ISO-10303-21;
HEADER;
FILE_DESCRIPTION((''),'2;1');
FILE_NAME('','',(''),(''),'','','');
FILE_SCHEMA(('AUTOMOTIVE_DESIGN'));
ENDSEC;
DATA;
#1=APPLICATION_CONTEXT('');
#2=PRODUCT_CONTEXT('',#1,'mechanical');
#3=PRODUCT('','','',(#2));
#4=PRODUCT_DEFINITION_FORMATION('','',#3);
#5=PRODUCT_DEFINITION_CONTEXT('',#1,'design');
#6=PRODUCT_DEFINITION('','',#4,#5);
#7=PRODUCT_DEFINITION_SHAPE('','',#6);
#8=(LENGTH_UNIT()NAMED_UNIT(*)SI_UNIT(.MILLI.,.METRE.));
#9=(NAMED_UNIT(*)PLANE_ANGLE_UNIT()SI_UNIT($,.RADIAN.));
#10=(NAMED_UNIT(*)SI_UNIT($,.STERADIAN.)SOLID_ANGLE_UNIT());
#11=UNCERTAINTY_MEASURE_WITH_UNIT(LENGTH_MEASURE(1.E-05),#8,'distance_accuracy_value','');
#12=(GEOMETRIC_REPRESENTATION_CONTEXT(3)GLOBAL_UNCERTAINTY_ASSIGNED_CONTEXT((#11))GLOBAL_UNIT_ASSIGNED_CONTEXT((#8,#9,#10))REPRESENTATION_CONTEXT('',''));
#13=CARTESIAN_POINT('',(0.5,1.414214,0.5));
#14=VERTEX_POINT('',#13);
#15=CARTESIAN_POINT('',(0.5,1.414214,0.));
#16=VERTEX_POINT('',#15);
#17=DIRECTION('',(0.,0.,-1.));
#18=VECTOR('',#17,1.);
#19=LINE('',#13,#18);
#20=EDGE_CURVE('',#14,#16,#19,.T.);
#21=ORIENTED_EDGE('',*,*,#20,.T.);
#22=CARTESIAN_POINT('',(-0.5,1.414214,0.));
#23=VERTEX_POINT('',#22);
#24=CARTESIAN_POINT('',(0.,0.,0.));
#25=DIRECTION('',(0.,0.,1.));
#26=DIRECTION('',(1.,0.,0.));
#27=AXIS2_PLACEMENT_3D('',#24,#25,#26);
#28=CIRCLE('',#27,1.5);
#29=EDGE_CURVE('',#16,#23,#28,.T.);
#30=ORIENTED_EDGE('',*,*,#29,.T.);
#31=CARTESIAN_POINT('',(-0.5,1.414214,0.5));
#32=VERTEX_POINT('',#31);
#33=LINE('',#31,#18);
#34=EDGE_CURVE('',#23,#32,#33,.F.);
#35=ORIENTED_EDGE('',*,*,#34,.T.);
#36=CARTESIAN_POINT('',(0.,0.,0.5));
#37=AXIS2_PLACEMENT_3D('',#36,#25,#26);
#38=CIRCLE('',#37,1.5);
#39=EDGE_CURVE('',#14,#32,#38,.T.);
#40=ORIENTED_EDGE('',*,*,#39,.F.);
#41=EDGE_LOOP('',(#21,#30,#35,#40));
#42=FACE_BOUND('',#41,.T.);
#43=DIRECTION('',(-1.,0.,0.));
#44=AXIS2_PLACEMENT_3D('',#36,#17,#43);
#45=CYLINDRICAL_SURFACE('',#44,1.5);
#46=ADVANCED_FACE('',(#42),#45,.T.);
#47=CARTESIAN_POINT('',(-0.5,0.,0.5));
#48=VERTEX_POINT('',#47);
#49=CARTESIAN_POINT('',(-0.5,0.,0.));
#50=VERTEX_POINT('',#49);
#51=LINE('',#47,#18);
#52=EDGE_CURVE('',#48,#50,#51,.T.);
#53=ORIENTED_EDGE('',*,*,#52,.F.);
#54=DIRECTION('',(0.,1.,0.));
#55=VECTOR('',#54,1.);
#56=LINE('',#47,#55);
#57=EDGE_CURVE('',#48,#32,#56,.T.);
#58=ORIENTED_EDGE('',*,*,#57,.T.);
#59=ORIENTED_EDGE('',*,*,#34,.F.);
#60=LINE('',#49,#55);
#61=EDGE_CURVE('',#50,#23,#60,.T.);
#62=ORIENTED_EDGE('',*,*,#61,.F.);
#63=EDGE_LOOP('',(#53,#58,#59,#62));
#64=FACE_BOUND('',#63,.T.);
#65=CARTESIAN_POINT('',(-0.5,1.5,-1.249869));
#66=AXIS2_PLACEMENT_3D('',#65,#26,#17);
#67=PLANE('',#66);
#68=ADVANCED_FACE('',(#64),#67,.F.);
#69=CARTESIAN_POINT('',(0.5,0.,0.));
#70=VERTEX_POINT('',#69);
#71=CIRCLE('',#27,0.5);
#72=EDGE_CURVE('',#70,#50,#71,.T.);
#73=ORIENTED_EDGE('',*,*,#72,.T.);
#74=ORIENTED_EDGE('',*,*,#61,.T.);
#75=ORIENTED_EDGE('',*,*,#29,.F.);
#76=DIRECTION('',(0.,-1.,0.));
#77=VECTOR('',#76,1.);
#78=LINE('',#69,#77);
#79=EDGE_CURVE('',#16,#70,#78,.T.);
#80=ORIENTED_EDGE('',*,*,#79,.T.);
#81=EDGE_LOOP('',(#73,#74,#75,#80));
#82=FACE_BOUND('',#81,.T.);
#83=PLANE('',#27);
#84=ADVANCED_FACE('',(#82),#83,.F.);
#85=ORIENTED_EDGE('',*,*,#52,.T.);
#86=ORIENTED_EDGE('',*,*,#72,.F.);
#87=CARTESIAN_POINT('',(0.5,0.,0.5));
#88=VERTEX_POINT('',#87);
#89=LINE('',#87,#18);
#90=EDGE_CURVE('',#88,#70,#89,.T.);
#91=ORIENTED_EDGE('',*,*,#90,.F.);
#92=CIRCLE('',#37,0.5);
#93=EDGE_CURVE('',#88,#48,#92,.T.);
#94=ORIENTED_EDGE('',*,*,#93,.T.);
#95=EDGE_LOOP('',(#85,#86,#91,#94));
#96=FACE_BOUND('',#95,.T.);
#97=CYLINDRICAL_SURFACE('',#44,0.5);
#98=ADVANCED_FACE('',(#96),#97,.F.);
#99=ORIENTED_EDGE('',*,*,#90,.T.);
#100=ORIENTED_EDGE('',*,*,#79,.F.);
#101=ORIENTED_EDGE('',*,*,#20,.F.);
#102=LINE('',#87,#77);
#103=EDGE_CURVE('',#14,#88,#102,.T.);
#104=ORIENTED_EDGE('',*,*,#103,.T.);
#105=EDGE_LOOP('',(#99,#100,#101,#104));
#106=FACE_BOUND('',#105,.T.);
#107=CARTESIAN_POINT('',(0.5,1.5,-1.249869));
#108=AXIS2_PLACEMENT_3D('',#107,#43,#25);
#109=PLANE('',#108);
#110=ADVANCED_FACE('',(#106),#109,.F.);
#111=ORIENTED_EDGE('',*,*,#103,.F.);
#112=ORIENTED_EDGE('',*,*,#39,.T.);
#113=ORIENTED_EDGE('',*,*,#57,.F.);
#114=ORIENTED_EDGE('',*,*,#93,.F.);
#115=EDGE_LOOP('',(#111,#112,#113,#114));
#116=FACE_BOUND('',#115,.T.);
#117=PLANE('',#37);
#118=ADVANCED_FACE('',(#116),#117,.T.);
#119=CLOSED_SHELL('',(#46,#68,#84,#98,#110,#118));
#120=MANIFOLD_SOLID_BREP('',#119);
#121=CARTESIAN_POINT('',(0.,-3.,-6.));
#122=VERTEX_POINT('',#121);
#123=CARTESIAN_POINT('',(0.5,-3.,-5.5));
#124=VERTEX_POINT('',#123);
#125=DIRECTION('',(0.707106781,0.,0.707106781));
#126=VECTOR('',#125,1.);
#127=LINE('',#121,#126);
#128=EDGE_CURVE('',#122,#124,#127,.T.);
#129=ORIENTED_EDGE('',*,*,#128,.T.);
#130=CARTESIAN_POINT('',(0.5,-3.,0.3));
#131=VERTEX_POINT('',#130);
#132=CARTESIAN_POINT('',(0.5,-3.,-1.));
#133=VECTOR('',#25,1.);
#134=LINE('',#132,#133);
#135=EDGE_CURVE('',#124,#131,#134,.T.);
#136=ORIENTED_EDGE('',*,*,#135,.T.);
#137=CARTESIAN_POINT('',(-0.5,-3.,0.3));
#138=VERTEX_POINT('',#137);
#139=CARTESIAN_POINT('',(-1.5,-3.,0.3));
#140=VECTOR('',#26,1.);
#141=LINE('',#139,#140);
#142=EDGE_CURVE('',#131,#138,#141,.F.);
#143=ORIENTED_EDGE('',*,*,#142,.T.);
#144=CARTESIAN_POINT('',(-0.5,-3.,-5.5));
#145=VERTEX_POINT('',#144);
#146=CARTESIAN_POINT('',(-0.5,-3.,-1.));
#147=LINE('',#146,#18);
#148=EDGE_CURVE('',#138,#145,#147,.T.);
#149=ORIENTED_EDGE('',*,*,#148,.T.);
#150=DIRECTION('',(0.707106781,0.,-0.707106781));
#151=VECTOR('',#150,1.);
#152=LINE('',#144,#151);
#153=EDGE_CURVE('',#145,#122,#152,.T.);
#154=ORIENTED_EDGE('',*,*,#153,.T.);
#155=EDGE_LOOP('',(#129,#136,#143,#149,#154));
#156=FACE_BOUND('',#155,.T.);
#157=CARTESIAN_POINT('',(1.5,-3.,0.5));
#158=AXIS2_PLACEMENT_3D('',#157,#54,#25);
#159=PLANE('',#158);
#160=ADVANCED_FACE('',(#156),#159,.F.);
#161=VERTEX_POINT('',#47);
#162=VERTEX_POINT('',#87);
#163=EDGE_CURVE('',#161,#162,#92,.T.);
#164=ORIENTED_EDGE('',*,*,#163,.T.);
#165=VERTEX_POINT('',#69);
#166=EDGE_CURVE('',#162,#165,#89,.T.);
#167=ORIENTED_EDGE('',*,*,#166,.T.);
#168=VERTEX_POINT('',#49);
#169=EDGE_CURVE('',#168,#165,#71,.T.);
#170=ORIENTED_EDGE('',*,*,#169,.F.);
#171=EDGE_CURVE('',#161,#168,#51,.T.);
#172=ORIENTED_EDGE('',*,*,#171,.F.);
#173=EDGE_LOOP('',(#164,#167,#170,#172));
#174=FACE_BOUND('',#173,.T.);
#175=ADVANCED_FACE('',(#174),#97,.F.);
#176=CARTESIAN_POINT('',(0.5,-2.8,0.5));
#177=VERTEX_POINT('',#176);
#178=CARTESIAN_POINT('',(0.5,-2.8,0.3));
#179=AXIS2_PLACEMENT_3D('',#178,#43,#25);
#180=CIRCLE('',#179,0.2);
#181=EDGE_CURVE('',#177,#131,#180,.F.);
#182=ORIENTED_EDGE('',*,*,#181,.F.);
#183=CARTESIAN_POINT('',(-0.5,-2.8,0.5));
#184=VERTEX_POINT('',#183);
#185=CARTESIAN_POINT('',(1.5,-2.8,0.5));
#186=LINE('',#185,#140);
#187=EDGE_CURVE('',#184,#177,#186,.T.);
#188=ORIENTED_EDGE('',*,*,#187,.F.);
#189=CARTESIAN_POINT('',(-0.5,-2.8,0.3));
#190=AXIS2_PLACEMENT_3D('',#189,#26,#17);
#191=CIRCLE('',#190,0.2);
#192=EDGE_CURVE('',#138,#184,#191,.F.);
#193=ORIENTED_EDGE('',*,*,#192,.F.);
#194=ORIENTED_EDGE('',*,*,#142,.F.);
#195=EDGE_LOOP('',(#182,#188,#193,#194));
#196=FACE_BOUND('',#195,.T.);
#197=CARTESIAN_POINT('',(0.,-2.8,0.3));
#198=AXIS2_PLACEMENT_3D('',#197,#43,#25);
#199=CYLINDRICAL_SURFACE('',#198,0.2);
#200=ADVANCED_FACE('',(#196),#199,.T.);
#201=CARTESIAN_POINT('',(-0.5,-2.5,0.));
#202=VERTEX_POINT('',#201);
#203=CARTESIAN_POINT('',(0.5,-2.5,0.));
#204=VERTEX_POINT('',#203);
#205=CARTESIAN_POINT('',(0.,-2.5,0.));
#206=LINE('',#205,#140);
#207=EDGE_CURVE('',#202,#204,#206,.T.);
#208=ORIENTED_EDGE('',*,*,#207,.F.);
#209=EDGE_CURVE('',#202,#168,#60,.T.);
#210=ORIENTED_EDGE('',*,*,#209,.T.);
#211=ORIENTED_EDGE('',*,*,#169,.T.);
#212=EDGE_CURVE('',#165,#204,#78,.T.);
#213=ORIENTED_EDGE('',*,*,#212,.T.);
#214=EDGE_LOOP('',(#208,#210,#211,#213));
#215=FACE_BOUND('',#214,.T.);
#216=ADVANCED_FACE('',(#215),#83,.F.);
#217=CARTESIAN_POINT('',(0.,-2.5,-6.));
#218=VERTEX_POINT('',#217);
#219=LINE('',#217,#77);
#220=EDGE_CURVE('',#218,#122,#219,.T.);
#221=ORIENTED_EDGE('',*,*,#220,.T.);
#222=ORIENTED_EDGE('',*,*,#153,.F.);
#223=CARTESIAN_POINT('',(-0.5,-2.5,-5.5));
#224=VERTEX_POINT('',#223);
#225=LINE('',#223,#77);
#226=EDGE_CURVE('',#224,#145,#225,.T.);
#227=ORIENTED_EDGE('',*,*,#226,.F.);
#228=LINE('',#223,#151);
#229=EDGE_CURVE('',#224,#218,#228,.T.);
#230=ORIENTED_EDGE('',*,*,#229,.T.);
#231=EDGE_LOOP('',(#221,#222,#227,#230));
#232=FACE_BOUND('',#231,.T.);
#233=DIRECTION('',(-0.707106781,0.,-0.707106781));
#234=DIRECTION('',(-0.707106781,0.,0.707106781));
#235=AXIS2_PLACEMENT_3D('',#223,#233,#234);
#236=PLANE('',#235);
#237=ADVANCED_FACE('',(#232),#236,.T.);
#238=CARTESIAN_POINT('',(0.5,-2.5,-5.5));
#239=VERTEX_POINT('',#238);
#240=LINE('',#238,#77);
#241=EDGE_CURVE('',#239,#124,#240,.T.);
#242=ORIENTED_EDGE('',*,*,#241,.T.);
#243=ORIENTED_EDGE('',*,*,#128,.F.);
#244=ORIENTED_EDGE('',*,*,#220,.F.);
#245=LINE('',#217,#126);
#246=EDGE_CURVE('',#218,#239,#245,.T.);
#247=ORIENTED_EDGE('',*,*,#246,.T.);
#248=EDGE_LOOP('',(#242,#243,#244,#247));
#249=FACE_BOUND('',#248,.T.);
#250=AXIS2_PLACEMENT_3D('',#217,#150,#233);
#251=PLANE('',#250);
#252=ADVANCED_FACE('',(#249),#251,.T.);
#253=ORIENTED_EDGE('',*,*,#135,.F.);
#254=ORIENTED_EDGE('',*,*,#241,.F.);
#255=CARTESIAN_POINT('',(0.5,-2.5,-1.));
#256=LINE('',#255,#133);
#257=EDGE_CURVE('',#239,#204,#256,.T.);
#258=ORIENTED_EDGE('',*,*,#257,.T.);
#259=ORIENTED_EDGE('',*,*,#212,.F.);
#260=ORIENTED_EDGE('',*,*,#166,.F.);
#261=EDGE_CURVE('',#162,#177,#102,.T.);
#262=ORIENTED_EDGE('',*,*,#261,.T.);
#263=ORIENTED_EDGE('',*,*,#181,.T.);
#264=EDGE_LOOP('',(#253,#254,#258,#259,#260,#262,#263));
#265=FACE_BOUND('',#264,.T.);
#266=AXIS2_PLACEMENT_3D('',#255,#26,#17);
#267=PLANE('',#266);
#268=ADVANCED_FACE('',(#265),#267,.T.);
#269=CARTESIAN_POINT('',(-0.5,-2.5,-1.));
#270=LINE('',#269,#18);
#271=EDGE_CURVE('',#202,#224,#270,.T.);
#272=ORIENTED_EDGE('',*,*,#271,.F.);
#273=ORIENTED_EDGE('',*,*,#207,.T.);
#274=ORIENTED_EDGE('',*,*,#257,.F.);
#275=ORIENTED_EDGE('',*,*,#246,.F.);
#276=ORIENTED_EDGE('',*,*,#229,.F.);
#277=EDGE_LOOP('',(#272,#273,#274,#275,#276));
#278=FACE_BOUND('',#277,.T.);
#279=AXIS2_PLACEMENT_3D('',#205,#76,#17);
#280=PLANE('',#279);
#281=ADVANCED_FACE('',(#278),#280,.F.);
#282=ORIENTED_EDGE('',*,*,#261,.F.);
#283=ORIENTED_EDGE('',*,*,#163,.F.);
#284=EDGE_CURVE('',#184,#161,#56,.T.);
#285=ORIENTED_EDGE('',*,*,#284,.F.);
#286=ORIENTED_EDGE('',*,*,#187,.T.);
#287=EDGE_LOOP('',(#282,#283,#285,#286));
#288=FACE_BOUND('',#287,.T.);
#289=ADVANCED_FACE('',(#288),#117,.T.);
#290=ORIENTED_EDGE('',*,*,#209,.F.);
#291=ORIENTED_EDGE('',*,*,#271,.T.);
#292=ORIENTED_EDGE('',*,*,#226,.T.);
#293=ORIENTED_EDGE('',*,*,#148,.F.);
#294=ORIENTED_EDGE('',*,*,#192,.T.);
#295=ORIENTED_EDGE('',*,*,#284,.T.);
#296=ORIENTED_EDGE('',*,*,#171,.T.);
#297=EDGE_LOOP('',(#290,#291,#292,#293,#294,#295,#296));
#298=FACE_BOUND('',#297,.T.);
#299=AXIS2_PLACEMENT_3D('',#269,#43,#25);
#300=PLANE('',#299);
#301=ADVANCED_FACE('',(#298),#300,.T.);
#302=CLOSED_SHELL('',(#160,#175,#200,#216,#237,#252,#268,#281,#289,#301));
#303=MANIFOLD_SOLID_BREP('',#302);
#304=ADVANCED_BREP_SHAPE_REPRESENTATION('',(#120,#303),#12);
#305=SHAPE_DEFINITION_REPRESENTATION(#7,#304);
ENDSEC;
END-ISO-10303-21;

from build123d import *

# Parameters (mm, degrees)
ESQUISSE1_R             = 0.5
BOSS_EXTRU_1_DEPTH      = 0.5
BOSS_EXTRU_2_DEPTH      = 0.5
CONG_1_R                = 0.2
ENL_V_MAT_EXTRU_1_DEPTH = 5.5


with BuildPart() as part:
    # Esquisse1 → Boss.-Extru.1 (new body)
    with BuildSketch(Plane.XY):
        with BuildLine():
            Line((-1.5, 0), (-1.5, -3))
            Line((-1.5, -3), (1.5, -3))
            Line((1.5, -3), (1.5, 0))
            ThreePointArc((1.5, 0), (0, 1.5), (-1.5, 0))
        make_face()
        Circle(ESQUISSE1_R, mode=Mode.SUBTRACT)
    extrude(amount=BOSS_EXTRU_1_DEPTH)

    # Esquisse2 → Boss.-Extru.2 (add)
    with BuildSketch(Plane.XZ.offset(3)):
        Polygon((-1.5, 0.5), (1.5, 0.5), (1.5, -1), (0.5, -1), (0.5, -5.5), (0, -6), (-0.5, -5.5), (-0.5, -1), (-1.5, -1), align=None)
    extrude(amount=-BOSS_EXTRU_2_DEPTH)

    # Congé1
    cong_1_edges = [part.edges().sort_by_distance(p)[0] for p in [
        (0, -3, 0.5),
    ]]
    fillet(cong_1_edges, radius=CONG_1_R)

    # Esquisse3 → Enlèv. mat.-Extru.1 (cut, through all)
    with BuildSketch(Plane.XZ.offset(3)):
        Polygon((-0.5, -1.249868896), (-2.524344938, -1.249868896), (-2.524344938, 1.009826976), (0.183218584, 1.416979386), (1.913616324, 1.009826976), (1.913616324, -1.249868896), (0.5, -1.249868896), (0.5, 1.009826976), (-0.5, 1.009826976), align=None)
    extrude(amount=-ENL_V_MAT_EXTRU_1_DEPTH, mode=Mode.SUBTRACT)


solid = part.part
